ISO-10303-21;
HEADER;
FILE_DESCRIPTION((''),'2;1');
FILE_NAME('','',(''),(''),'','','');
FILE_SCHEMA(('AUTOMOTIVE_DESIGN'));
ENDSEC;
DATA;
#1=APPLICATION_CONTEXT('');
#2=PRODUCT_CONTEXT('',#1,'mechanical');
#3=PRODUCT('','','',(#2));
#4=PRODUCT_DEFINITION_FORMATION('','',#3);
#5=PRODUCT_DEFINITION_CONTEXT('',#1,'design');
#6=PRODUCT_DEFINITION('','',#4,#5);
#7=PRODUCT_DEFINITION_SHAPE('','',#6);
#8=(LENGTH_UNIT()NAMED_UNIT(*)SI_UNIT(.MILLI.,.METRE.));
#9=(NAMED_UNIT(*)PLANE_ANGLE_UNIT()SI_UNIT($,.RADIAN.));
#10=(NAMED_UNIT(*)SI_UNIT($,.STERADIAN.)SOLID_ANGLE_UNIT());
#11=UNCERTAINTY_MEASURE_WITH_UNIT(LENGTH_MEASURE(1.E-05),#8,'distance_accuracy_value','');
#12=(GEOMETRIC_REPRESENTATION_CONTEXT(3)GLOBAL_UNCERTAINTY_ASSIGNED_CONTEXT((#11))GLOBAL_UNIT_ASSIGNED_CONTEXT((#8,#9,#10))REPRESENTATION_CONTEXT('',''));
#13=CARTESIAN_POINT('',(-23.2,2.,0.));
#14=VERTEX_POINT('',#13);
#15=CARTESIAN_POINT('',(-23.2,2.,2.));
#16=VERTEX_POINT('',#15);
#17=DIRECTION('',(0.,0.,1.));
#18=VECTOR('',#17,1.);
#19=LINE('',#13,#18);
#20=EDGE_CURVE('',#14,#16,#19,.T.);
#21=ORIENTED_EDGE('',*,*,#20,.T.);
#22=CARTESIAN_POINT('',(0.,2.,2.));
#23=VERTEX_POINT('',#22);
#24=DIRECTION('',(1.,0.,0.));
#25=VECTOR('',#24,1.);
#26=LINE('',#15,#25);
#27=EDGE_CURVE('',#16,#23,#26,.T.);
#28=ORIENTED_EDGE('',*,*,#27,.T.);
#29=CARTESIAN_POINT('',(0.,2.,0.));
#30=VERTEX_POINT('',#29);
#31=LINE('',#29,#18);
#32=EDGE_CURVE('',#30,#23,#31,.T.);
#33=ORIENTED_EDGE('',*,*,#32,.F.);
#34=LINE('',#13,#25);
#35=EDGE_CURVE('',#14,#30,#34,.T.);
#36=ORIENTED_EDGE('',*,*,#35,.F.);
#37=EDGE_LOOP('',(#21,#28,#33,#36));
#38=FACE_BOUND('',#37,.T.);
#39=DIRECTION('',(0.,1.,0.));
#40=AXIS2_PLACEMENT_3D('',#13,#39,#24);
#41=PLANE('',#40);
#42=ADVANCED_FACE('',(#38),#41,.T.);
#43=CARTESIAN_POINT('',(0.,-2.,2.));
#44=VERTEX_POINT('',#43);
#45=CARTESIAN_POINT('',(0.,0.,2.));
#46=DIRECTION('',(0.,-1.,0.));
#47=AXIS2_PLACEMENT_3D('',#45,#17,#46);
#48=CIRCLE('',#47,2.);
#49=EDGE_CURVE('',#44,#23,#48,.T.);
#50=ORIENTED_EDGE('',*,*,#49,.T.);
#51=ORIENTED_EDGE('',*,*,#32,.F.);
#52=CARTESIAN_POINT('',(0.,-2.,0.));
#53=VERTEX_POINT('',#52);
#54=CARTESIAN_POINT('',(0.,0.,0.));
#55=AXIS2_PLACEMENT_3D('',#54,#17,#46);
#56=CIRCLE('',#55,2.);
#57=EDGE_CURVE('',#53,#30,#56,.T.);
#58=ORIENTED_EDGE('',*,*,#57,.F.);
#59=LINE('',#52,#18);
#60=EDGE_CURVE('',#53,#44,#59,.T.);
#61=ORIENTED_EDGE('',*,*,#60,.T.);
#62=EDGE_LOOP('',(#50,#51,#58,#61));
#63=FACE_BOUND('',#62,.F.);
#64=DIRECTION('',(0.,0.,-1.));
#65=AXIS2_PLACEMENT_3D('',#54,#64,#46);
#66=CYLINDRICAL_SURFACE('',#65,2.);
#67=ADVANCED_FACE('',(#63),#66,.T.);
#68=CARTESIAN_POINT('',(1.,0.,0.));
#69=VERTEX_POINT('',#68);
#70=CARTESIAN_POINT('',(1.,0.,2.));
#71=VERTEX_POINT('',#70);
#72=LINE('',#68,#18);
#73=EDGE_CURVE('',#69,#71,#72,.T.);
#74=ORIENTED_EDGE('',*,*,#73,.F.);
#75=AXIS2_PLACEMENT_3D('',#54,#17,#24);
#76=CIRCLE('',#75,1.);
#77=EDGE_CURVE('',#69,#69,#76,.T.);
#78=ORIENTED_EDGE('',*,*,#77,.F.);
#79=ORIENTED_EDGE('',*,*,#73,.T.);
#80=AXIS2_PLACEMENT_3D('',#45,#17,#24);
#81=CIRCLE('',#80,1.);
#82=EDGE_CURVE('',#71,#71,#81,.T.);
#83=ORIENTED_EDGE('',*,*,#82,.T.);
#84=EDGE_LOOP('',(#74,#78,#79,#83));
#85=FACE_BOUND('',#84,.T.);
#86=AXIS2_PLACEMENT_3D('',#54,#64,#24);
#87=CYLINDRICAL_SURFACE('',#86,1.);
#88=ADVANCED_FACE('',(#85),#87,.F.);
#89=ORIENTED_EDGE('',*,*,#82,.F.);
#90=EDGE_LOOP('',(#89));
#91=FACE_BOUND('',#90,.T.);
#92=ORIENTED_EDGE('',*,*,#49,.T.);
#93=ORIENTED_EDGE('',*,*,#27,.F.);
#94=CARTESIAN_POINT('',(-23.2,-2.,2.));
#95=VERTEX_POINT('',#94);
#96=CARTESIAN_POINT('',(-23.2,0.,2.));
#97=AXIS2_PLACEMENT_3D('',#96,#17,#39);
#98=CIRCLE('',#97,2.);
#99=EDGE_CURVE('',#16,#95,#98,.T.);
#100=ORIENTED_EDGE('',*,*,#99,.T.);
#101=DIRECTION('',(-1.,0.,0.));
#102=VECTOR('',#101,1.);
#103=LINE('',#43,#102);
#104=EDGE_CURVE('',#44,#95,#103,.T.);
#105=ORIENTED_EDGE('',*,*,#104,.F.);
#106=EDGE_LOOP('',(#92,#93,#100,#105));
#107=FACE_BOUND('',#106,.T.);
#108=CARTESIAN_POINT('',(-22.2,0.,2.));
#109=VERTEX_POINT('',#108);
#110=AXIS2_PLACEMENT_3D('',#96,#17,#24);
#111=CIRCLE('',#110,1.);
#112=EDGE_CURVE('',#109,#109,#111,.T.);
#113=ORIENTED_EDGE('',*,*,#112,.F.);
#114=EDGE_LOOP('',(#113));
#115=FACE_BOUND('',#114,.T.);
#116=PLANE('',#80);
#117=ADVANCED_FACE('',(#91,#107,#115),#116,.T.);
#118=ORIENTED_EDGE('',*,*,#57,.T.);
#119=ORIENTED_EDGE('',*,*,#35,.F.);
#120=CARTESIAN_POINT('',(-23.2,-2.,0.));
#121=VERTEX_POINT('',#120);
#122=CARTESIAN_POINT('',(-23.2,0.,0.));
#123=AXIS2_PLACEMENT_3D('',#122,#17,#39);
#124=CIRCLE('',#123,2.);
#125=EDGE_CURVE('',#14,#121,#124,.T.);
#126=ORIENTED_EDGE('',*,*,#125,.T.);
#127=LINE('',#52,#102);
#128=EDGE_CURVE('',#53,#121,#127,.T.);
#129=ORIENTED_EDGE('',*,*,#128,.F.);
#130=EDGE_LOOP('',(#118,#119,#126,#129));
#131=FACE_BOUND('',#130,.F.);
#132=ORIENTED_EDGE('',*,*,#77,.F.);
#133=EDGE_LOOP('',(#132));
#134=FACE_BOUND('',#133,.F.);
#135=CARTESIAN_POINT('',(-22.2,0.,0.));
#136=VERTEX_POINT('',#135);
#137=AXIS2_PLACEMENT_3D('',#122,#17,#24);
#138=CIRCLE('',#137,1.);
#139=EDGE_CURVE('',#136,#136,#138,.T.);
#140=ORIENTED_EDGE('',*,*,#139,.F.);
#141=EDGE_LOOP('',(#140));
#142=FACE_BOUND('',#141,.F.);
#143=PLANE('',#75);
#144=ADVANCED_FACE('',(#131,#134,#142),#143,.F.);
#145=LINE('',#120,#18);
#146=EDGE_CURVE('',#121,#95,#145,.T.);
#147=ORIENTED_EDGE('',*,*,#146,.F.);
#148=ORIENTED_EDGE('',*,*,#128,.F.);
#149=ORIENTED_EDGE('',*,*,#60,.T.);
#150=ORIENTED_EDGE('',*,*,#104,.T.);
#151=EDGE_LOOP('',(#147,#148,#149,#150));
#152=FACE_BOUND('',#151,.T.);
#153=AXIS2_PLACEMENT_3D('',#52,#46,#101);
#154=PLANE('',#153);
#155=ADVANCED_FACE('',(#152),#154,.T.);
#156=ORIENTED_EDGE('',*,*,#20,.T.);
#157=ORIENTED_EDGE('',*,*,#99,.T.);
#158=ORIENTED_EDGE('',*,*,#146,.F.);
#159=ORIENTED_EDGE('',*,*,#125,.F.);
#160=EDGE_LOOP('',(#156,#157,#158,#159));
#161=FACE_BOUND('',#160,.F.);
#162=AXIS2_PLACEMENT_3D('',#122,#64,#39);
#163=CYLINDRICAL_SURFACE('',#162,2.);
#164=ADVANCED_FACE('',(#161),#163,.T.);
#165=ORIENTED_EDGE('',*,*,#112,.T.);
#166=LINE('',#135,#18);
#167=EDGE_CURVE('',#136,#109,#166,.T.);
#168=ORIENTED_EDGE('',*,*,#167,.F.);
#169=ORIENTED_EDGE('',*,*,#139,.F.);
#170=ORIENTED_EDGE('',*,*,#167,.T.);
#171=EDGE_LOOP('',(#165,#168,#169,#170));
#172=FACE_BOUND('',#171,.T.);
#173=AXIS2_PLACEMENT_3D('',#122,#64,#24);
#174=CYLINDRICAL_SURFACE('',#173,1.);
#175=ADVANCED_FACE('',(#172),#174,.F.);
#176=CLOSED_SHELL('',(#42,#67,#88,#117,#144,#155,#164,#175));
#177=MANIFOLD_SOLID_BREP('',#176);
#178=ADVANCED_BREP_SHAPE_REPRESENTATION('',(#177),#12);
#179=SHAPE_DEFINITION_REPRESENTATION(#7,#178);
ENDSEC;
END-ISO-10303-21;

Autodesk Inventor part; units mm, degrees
ref_plane "YZ Plane" through (0, 0, 0) normal (1, 0, 0) x (0, 1, 0)
ref_plane "XZ Plane" through (0, 0, 0) normal (0, 1, 0) x (-1, 0, 0)
ref_plane "XY Plane" through (0, 0, 0) normal (0, 0, 1) x (1, 0, 0)
sketch "Sketch1" plane through (0, 0, 0) normal (0, 0, 1) x (1, 0, 0)
  circle A0 centre (0, 0) radius 1
  circle A1 centre (-23.2, 0) radius 1
  line L0 (-23.2, 2) -> (0, 2)
  arc A2 (0, -2) -> (0, 2) centre (0, 0) ccw
  line L1 (0, -2) -> (-23.2, -2)
  arc A3 (-23.2, 2) -> (-23.2, -2) centre (-23.2, 0) ccw
  dimension "d0" = 2
  dimension "d1" = 23.2
  dimension "d2" = 2
extrude "Extrusion1" add sketch "Sketch1" along normal blind 2
properties part number "panto_linkageB"
